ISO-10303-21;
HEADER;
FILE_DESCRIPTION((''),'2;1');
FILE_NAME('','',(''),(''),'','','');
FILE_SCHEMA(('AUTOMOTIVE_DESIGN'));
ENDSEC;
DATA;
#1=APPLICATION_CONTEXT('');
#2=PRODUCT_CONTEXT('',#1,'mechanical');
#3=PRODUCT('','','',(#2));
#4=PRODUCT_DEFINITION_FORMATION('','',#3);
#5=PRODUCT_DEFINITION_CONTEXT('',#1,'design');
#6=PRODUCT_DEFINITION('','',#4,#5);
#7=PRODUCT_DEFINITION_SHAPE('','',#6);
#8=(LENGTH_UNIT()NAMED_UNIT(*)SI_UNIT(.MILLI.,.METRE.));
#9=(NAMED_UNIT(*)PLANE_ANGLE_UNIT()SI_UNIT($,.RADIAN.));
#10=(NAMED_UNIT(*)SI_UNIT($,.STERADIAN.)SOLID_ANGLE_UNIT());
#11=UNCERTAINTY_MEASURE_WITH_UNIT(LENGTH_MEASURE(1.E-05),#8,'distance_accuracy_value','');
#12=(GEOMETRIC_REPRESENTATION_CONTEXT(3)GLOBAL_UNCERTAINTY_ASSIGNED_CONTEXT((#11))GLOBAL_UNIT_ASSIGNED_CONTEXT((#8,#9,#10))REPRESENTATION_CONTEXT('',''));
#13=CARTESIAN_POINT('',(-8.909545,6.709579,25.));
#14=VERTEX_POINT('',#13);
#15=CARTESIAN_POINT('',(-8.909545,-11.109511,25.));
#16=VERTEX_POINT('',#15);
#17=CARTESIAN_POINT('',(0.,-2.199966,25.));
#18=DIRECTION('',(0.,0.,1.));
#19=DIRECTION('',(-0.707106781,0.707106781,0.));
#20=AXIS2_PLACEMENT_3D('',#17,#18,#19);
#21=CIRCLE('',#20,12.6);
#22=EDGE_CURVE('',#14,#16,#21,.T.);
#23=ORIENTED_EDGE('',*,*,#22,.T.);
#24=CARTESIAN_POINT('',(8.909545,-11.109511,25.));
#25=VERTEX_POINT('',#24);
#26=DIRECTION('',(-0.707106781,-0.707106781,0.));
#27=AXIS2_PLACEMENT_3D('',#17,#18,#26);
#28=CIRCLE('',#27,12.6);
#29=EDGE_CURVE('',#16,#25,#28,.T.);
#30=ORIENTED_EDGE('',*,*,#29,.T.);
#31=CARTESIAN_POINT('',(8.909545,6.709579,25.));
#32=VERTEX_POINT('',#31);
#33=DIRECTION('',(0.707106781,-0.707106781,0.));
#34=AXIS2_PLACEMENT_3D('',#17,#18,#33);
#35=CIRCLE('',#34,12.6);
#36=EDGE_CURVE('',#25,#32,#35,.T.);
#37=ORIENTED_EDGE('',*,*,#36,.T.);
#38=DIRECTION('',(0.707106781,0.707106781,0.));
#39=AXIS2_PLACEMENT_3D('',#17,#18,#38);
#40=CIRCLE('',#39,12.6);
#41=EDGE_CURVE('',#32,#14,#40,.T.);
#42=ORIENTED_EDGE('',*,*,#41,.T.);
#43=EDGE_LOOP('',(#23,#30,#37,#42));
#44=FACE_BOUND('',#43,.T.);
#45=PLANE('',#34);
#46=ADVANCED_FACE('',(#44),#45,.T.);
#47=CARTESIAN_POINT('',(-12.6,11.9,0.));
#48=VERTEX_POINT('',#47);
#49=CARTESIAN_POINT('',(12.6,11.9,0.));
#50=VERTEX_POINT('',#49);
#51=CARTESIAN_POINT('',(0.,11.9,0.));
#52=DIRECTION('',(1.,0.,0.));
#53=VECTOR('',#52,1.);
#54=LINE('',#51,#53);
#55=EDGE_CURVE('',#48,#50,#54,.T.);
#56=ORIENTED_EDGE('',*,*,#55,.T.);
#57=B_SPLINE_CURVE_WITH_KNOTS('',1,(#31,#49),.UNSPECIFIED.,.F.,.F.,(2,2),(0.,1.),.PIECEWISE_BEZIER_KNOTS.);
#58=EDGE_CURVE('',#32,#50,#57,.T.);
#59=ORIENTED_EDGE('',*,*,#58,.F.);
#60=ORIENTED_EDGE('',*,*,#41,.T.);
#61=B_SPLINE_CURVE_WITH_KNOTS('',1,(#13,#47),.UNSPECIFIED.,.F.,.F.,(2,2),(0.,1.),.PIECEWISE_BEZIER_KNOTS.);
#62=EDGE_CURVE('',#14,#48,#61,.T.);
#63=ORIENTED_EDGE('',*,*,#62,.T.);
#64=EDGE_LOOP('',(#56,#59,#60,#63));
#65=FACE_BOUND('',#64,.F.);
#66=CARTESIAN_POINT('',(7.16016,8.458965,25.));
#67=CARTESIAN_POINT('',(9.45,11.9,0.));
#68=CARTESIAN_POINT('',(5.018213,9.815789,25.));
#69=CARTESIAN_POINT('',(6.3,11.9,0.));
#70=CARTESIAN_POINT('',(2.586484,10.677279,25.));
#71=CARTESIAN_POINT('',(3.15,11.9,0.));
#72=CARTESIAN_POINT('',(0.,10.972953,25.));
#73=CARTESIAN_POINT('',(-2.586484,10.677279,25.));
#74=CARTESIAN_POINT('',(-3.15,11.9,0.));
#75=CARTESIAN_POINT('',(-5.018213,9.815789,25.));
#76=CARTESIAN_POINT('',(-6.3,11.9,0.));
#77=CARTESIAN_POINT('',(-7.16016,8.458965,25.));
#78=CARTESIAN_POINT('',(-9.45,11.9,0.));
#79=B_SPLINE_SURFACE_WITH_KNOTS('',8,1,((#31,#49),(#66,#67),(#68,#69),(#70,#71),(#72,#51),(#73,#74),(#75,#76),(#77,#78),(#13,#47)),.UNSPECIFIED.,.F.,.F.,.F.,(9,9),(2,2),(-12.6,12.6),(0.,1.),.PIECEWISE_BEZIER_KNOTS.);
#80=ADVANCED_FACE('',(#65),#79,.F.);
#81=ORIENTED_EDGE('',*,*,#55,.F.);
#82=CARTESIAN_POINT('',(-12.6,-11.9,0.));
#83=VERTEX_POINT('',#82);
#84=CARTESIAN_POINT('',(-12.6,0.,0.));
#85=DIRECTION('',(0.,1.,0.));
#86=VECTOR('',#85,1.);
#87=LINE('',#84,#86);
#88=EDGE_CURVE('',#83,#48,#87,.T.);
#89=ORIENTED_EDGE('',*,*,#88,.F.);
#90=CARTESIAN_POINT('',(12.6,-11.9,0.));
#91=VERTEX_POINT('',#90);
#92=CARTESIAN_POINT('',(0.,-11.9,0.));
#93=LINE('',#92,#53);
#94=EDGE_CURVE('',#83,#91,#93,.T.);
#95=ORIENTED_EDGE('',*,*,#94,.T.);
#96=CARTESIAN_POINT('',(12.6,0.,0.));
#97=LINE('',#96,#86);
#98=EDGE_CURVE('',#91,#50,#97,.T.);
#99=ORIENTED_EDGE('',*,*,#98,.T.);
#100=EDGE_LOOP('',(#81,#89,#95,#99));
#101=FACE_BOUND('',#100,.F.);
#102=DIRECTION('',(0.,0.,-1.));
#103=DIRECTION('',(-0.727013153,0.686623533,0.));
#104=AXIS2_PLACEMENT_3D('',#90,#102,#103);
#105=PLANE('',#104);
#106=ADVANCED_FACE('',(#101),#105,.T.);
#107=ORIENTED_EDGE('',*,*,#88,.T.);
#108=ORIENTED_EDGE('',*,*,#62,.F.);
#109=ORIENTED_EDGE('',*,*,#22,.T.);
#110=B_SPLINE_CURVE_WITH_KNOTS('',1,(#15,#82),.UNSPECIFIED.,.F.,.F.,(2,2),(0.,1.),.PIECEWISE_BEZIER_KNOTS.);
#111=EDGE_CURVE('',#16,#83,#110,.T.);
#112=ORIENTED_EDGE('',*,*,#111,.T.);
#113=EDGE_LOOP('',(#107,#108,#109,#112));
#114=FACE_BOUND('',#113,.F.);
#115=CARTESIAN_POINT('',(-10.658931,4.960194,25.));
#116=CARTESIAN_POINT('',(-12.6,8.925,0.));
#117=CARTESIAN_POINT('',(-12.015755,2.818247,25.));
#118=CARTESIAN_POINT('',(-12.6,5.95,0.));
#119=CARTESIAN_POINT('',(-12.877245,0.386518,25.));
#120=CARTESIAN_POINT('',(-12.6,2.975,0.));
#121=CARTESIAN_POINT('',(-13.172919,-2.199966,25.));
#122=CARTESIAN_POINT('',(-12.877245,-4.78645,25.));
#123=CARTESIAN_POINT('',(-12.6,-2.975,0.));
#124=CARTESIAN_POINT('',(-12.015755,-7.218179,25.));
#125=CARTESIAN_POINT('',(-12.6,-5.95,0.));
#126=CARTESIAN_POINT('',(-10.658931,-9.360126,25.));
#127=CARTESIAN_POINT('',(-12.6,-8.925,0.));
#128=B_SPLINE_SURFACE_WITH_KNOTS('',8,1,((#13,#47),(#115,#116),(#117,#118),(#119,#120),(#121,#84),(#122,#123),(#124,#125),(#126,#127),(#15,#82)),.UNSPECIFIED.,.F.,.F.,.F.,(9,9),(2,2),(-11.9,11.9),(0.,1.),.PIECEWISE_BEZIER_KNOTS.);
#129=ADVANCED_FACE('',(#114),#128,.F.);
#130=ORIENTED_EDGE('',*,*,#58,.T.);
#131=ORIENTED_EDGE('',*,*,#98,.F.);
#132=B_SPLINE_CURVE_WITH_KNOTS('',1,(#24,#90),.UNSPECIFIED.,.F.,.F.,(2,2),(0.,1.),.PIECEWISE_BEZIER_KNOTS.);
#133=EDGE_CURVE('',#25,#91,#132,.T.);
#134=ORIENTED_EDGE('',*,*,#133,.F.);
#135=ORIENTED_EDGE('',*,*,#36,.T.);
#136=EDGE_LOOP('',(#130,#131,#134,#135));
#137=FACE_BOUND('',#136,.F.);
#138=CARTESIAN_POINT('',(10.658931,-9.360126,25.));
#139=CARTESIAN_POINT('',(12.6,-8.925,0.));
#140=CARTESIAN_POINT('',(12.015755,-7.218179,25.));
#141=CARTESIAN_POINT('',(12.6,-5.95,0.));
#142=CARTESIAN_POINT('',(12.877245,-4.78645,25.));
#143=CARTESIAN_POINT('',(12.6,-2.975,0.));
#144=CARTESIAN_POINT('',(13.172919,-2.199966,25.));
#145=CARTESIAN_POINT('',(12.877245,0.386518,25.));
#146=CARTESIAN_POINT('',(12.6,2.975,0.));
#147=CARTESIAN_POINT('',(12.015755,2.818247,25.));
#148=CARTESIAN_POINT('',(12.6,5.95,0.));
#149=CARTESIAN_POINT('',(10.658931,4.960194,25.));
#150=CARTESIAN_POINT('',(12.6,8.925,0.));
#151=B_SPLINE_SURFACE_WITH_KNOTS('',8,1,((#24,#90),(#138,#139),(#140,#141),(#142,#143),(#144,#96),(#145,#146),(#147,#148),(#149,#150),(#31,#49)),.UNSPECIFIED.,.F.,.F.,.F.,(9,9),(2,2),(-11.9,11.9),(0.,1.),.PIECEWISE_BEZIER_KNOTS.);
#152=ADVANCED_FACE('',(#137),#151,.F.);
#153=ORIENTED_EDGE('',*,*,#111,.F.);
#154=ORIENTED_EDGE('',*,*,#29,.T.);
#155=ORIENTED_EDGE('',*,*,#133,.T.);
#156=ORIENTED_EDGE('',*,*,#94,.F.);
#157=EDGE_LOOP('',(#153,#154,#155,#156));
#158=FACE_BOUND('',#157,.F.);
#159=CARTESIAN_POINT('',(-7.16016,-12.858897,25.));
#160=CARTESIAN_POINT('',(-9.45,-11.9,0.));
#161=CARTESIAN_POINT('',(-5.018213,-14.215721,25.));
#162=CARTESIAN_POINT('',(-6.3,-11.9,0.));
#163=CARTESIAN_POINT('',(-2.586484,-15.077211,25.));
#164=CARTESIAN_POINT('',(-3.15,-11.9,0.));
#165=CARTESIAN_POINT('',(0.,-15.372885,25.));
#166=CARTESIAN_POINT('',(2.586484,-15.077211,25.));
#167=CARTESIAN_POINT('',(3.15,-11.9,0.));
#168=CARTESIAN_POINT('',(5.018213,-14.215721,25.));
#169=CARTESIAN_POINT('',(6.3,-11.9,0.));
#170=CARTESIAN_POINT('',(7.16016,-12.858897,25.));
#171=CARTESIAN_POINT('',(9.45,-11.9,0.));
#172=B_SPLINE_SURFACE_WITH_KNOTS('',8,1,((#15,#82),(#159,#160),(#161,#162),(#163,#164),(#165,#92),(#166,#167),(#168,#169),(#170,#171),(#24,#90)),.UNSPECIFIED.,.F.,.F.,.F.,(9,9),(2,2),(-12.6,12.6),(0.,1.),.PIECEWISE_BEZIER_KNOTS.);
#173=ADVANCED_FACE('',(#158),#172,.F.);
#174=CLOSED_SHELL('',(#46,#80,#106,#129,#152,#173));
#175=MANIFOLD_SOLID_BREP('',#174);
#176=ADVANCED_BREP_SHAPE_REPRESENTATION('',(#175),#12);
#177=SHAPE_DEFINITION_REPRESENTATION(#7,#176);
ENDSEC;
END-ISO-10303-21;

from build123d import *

# Parameters (mm, degrees)
F0_W = 25.2
F0_H = 23.8


with BuildPart() as f3:
    # F2 (on offset) → F3 section 0
    with BuildSketch(Plane.XY.offset(25)):
        with BuildLine():
            ThreePointArc((8.909545443, -11.1095114378), (12.6, -2.1999659948), (8.909545443, 6.7095794481))
            ThreePointArc((8.909545443, 6.7095794481), (0, 10.4000340052), (-8.909545443, 6.7095794481))
            ThreePointArc((-8.909545443, 6.7095794481), (-12.6, -2.1999659948), (-8.909545443, -11.1095114378))
            ThreePointArc((-8.909545443, -11.1095114378), (0, -14.7999659948), (8.909545443, -11.1095114378))
        make_face()
    # F0 (on Top) → F3 section 1
    with BuildSketch(Plane.XY):
        Rectangle(F0_W, F0_H)
    loft()


solid = f3.part
